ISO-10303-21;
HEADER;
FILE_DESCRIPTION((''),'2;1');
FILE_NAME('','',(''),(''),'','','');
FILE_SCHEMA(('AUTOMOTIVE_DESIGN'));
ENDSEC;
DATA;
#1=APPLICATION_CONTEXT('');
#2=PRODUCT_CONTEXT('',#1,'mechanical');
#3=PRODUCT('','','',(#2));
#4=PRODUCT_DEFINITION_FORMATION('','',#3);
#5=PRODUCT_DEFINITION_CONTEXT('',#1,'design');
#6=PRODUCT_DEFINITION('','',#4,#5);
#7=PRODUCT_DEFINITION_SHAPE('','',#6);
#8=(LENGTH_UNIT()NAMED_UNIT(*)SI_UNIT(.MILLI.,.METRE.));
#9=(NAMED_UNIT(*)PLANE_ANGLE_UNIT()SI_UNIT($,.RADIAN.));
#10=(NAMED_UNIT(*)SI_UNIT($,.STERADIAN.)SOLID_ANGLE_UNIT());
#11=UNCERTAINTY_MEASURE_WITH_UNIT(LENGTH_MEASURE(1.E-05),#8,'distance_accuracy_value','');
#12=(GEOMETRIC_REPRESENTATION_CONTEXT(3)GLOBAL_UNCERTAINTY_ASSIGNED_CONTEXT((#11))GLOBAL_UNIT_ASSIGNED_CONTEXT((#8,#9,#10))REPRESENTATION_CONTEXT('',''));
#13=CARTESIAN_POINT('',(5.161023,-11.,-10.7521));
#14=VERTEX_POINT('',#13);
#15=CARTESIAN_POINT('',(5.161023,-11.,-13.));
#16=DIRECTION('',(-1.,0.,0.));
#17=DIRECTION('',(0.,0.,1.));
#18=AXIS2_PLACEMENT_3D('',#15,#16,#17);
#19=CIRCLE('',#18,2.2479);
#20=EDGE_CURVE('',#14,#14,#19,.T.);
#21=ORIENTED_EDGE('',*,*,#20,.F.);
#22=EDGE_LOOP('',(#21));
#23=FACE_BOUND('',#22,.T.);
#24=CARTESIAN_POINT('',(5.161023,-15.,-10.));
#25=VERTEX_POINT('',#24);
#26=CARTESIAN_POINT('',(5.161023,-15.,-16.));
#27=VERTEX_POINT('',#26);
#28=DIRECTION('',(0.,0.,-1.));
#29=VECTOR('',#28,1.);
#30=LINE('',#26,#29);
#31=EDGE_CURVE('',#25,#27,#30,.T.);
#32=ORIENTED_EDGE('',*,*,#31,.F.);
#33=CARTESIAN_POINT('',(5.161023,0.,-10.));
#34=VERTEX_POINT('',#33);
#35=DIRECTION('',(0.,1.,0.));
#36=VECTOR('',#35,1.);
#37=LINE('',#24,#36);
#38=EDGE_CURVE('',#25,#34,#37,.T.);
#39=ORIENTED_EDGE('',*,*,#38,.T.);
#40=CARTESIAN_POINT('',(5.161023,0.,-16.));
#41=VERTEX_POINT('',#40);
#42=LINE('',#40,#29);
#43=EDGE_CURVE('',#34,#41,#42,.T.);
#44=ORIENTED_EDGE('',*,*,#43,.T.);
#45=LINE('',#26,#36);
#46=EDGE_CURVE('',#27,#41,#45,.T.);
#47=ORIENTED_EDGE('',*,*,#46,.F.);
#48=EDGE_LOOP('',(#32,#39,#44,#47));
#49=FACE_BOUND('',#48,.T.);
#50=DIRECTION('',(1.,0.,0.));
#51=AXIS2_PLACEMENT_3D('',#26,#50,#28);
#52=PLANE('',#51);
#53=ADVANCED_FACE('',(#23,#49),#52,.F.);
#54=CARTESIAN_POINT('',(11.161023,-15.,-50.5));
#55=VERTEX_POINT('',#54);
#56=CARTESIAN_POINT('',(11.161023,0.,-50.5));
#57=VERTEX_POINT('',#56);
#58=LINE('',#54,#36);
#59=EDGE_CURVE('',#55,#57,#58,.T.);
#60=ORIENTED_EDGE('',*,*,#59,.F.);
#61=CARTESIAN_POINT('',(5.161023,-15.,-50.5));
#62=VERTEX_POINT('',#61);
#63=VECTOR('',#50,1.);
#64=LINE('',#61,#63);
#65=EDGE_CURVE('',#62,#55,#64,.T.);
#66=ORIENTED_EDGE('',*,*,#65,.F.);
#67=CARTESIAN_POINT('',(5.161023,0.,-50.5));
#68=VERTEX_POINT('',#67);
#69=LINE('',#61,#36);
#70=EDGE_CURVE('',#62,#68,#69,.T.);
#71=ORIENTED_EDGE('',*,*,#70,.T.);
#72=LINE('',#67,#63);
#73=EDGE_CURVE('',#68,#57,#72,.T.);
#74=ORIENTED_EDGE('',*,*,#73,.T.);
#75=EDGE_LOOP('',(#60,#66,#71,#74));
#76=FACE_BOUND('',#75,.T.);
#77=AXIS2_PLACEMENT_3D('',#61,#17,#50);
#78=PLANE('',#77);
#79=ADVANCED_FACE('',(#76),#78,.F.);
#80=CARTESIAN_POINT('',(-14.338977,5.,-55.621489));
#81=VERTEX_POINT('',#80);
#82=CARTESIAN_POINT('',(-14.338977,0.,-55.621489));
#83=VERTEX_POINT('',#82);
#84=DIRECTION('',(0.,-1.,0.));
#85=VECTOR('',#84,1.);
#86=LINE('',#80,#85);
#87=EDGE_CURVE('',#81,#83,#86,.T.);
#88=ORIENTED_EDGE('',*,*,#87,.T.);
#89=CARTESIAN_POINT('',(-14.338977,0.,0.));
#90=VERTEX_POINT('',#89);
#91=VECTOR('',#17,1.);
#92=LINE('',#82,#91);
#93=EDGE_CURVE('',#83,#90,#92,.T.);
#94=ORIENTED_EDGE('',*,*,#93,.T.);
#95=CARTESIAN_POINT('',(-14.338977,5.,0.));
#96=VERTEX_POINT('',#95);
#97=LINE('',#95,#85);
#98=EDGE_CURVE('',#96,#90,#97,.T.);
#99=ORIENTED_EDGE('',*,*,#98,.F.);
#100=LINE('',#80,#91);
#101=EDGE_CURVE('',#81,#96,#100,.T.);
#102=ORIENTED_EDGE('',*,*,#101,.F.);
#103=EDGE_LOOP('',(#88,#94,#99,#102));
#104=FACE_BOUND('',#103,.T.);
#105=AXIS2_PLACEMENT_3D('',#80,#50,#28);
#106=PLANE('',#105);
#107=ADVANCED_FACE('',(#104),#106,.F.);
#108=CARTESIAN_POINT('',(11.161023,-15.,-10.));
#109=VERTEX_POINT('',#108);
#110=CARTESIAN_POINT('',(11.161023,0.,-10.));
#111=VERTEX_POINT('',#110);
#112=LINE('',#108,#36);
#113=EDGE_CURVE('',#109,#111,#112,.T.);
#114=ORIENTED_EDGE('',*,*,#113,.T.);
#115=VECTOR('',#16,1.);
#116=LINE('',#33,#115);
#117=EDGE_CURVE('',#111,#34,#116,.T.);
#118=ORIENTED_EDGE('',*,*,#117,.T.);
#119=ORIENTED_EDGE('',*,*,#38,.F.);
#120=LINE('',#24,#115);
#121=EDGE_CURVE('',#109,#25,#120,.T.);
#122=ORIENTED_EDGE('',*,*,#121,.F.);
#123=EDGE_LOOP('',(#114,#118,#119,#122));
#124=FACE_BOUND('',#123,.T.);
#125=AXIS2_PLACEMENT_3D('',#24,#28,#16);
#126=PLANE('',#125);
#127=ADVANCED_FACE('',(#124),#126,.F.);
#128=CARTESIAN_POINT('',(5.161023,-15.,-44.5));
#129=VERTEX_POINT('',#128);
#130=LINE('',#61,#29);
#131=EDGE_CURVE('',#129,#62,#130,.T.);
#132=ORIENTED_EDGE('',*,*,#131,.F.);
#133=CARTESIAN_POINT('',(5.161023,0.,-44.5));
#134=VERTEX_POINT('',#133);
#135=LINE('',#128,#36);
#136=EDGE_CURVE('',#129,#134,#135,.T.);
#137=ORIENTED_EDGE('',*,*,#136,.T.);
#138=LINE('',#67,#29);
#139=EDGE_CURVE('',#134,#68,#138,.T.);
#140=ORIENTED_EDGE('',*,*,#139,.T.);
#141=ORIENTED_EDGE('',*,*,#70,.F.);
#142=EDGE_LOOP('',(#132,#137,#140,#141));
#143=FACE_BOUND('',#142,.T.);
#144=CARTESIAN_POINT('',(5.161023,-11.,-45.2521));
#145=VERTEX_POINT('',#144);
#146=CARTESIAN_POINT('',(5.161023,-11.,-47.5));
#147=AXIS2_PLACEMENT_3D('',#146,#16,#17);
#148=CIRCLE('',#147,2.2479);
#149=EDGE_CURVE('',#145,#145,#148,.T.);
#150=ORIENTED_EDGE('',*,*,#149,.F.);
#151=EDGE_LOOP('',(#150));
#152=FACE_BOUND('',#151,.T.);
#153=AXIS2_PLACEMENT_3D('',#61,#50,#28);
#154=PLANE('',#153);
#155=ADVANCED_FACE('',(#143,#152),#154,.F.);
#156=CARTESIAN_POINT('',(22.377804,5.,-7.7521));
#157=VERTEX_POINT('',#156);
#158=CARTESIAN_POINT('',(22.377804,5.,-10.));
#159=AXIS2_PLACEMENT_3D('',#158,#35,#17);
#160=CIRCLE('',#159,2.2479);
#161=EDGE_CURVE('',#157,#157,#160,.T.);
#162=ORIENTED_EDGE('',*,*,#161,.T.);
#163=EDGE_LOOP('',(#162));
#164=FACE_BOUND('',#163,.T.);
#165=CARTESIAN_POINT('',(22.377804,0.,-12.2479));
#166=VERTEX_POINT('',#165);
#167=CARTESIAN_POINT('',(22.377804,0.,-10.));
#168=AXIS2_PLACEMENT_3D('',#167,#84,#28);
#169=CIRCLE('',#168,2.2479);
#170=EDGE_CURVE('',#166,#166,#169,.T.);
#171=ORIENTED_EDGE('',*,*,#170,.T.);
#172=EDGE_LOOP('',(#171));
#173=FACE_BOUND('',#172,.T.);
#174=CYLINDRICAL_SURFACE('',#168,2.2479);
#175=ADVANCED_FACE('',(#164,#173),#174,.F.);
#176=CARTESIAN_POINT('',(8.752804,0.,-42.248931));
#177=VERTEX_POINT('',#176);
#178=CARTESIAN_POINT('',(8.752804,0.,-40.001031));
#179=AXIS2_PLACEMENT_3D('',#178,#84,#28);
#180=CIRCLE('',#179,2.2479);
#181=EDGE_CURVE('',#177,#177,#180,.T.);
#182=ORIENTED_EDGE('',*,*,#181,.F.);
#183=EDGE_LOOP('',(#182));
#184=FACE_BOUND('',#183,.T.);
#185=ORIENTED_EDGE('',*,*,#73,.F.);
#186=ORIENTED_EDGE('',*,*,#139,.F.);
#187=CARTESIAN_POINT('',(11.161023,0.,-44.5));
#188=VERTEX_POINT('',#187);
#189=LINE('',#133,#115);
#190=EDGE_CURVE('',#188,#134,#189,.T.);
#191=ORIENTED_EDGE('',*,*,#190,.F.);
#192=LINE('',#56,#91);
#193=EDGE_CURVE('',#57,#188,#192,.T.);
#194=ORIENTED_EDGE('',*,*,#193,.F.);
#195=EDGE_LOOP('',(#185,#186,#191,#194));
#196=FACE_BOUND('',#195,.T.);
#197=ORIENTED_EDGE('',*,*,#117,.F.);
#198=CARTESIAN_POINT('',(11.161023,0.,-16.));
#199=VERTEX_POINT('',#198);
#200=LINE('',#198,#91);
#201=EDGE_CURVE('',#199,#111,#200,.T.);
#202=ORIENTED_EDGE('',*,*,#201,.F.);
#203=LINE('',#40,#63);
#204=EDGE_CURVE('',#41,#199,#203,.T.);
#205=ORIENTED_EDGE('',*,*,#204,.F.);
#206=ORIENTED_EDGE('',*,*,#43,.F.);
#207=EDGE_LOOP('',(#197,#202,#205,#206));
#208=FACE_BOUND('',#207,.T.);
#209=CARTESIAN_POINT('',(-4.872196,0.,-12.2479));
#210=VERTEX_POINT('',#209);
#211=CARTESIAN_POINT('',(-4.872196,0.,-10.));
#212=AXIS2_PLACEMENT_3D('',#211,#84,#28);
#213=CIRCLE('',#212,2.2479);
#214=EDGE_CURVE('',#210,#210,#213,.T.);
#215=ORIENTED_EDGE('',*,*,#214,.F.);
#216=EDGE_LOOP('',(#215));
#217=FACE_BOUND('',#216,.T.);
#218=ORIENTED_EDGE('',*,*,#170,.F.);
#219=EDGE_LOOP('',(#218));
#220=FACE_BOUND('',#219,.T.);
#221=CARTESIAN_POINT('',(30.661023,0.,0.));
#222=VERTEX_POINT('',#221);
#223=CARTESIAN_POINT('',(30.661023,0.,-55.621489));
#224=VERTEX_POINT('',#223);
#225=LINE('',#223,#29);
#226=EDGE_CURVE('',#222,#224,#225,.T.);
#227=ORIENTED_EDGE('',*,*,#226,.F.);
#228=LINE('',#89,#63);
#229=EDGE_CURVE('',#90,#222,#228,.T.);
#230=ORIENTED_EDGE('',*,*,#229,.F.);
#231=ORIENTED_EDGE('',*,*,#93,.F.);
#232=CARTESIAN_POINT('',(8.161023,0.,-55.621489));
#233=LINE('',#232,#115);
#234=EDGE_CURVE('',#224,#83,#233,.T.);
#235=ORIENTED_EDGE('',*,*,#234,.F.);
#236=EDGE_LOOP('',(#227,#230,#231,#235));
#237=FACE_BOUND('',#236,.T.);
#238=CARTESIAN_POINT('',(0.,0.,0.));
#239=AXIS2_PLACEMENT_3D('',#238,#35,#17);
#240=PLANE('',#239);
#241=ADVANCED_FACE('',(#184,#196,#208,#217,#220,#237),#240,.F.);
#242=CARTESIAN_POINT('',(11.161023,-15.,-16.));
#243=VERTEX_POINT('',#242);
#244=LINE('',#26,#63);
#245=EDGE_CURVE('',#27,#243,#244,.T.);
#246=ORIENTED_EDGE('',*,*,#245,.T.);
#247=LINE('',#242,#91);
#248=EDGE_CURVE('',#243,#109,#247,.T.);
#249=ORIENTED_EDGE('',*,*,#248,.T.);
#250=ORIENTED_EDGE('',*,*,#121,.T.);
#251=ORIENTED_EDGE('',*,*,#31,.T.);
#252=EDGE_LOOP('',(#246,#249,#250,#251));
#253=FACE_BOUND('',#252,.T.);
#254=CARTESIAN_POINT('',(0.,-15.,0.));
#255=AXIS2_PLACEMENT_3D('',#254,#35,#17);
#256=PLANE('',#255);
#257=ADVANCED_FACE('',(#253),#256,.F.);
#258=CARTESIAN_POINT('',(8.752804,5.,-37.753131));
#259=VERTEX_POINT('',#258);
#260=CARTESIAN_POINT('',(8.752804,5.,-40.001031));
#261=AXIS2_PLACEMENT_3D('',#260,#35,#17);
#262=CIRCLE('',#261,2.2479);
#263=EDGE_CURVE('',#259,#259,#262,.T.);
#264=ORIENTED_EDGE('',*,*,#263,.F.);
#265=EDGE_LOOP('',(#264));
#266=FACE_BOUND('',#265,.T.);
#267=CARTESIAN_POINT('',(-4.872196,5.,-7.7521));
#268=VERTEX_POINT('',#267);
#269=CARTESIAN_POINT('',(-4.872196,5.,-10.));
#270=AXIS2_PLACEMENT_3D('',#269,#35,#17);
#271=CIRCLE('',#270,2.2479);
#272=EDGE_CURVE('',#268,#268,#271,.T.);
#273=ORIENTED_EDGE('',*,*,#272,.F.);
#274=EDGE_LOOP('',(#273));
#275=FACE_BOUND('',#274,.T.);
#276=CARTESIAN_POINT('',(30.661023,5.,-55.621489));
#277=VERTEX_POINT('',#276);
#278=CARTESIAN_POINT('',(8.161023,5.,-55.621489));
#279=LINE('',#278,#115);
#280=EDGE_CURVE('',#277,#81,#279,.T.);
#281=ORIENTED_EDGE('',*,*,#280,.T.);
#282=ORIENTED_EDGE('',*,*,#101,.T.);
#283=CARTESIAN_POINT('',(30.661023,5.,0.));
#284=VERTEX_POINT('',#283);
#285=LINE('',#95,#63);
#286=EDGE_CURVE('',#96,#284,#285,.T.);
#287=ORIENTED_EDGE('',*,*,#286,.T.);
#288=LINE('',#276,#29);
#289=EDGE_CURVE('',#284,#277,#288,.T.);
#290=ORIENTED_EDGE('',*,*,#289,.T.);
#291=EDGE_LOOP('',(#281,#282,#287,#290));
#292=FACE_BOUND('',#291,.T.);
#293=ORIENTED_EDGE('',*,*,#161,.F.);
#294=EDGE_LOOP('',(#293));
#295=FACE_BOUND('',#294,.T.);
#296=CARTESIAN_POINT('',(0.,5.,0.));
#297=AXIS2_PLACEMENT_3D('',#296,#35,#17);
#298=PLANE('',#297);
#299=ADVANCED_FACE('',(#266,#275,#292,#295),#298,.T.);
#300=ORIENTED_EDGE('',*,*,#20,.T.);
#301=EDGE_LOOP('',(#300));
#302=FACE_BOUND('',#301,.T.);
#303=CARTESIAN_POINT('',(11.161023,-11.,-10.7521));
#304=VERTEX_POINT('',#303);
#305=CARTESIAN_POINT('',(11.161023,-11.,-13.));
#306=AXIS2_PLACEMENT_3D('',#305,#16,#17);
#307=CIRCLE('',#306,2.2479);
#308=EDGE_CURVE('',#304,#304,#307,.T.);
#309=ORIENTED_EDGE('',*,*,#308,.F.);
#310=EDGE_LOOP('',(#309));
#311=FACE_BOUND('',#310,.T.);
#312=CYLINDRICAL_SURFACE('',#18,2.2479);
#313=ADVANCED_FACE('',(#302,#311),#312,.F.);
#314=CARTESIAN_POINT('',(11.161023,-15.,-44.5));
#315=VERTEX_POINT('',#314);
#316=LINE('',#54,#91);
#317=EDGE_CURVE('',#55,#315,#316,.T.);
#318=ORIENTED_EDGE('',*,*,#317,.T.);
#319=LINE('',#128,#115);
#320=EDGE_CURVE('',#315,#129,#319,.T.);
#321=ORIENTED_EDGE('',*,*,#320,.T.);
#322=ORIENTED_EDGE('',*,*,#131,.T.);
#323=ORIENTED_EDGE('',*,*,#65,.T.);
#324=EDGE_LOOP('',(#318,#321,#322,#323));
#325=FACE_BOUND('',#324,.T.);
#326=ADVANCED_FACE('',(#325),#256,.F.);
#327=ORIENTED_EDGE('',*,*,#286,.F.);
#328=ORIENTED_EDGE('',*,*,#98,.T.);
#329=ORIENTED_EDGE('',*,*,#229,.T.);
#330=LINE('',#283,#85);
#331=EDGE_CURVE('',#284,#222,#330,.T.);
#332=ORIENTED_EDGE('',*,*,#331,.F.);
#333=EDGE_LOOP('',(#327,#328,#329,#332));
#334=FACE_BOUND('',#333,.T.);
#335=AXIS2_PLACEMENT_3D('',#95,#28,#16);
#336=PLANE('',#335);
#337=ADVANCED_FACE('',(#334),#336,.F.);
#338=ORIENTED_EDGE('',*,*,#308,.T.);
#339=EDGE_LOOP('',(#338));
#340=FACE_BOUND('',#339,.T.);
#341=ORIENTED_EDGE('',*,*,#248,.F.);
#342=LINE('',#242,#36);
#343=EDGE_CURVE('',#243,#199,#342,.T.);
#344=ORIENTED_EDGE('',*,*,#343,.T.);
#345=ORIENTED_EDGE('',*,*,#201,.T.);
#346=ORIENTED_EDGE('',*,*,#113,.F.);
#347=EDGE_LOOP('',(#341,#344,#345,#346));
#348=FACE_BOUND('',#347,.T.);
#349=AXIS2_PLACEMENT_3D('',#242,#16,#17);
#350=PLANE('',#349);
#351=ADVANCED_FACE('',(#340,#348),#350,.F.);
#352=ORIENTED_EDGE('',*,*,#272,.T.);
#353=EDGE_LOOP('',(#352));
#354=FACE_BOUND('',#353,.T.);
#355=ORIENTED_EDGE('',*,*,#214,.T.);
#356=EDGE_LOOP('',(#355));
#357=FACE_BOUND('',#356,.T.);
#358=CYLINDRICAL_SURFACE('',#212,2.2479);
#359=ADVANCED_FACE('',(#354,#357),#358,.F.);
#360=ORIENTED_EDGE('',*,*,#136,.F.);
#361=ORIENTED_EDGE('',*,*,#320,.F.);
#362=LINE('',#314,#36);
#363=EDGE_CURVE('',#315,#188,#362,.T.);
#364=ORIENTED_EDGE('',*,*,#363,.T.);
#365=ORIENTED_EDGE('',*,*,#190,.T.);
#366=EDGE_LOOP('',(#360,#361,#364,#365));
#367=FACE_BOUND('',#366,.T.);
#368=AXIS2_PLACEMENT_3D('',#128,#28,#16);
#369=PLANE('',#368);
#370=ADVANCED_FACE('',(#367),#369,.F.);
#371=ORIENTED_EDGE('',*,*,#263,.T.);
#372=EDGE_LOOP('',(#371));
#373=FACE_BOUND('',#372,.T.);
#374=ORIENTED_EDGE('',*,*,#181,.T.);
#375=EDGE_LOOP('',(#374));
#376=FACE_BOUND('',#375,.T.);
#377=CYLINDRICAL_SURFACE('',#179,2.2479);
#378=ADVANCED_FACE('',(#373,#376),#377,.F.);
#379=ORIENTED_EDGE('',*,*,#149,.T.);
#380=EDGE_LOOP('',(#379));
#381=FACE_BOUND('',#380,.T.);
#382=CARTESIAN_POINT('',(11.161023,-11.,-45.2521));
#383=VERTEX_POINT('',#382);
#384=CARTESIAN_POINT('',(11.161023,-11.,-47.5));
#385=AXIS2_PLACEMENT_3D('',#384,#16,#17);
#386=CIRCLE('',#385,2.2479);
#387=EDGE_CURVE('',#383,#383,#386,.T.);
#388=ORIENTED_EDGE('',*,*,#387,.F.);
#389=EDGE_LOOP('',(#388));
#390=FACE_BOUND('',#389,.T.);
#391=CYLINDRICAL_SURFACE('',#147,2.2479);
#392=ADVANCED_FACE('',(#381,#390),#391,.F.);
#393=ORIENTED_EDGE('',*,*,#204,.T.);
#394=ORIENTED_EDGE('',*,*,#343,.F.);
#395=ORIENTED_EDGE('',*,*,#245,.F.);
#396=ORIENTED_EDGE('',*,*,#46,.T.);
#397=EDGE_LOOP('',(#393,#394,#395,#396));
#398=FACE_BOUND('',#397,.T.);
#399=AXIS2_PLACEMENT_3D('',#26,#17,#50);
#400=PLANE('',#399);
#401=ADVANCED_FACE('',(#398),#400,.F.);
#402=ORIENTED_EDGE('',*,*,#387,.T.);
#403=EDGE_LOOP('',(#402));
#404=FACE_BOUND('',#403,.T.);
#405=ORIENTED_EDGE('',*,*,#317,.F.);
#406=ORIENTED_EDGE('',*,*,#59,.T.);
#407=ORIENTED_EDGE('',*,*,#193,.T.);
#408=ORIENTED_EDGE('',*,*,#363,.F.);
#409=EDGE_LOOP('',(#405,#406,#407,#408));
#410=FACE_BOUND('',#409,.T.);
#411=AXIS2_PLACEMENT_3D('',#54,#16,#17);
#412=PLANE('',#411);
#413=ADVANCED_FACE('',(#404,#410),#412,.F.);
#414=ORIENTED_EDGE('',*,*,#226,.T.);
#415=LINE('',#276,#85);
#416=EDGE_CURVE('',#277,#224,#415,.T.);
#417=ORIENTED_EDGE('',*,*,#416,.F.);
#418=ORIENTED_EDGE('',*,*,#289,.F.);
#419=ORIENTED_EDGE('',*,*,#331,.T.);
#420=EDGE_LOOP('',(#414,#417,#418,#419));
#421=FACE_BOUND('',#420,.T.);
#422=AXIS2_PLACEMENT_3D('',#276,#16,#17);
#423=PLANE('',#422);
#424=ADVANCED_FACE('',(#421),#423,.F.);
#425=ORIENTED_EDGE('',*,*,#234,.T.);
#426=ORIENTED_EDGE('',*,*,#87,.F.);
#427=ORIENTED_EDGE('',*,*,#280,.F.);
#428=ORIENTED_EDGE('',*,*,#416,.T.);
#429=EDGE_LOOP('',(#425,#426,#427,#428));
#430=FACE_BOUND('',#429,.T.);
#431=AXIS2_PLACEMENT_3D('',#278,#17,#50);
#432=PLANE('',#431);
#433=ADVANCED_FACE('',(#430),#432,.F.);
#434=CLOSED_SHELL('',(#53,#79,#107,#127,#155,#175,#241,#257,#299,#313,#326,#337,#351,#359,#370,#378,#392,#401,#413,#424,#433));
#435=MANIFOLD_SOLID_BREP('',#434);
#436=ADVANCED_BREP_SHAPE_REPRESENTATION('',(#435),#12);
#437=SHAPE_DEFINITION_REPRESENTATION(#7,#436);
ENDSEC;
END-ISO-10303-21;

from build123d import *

# Parameters (mm, degrees)
BOSS_EXTRUDE1_DEPTH       = 5
F_8_CLEARANCE_HOLE1_D     = 4.4958
F_8_CLEARANCE_HOLE1_DEPTH = 17
F_8_CLEARANCE_HOLE1_TIP   = 1.350674586
SKETCH3_W                 = 6
SKETCH3_H                 = 6
BOSS_EXTRUDE2_DEPTH       = 15
F_8_CLEARANCE_HOLE2_D     = 4.4958
F_8_CLEARANCE_HOLE2_DEPTH = 17
F_8_CLEARANCE_HOLE2_TIP   = 1.350674586


with BuildPart() as part:
    # Sketch1 → Boss-Extrude1 (new body)
    with BuildSketch(Plane(origin=(0, 0, 0), x_dir=(1, 0, 0), z_dir=(0, 1, 0))):
        Polygon((-14.338976611, 0), (30.661023389, 0), (30.661023389, 55.621488653), (8.161023389, 55.621488653), (-14.338976611, 55.621488653), align=None)
    extrude(amount=BOSS_EXTRUDE1_DEPTH)

    # #8 Clearance Hole1
    with Locations(Plane(origin=(22.377803879, 0, -10), x_dir=(0, 0, -1), z_dir=(0, -1, 0))):
        with Locations((0, 0), (0, -27.25), (30.001031232, -13.625)):
            Hole(F_8_CLEARANCE_HOLE1_D / 2, depth=F_8_CLEARANCE_HOLE1_DEPTH)
            with Locations((0, 0, -(F_8_CLEARANCE_HOLE1_DEPTH + F_8_CLEARANCE_HOLE1_TIP / 2))):  # 118° drill point
                Cone(0, F_8_CLEARANCE_HOLE1_D / 2, F_8_CLEARANCE_HOLE1_TIP, mode=Mode.SUBTRACT)

    # Sketch3 → Boss-Extrude2 (add)
    with BuildSketch(Plane(origin=(0, 0, 0), x_dir=(-1, 0, 0), z_dir=(0, -1, 0))):
        with Locations((-8.161023389, 47.5)):
            Rectangle(SKETCH3_W, SKETCH3_H)
        with Locations((-8.161023389, 13)):
            Rectangle(SKETCH3_W, SKETCH3_H)
    extrude(amount=BOSS_EXTRUDE2_DEPTH)

    # #8 Clearance Hole2
    with Locations(Plane(origin=(5.161023389, -11, -47.5), x_dir=(0, 0, -1), z_dir=(-1, 0, 0))):
        with Locations((0, 0), (-34.5, 0)):
            Hole(F_8_CLEARANCE_HOLE2_D / 2, depth=F_8_CLEARANCE_HOLE2_DEPTH)
            with Locations((0, 0, -(F_8_CLEARANCE_HOLE2_DEPTH + F_8_CLEARANCE_HOLE2_TIP / 2))):  # 118° drill point
                Cone(0, F_8_CLEARANCE_HOLE2_D / 2, F_8_CLEARANCE_HOLE2_TIP, mode=Mode.SUBTRACT)


solid = part.part
